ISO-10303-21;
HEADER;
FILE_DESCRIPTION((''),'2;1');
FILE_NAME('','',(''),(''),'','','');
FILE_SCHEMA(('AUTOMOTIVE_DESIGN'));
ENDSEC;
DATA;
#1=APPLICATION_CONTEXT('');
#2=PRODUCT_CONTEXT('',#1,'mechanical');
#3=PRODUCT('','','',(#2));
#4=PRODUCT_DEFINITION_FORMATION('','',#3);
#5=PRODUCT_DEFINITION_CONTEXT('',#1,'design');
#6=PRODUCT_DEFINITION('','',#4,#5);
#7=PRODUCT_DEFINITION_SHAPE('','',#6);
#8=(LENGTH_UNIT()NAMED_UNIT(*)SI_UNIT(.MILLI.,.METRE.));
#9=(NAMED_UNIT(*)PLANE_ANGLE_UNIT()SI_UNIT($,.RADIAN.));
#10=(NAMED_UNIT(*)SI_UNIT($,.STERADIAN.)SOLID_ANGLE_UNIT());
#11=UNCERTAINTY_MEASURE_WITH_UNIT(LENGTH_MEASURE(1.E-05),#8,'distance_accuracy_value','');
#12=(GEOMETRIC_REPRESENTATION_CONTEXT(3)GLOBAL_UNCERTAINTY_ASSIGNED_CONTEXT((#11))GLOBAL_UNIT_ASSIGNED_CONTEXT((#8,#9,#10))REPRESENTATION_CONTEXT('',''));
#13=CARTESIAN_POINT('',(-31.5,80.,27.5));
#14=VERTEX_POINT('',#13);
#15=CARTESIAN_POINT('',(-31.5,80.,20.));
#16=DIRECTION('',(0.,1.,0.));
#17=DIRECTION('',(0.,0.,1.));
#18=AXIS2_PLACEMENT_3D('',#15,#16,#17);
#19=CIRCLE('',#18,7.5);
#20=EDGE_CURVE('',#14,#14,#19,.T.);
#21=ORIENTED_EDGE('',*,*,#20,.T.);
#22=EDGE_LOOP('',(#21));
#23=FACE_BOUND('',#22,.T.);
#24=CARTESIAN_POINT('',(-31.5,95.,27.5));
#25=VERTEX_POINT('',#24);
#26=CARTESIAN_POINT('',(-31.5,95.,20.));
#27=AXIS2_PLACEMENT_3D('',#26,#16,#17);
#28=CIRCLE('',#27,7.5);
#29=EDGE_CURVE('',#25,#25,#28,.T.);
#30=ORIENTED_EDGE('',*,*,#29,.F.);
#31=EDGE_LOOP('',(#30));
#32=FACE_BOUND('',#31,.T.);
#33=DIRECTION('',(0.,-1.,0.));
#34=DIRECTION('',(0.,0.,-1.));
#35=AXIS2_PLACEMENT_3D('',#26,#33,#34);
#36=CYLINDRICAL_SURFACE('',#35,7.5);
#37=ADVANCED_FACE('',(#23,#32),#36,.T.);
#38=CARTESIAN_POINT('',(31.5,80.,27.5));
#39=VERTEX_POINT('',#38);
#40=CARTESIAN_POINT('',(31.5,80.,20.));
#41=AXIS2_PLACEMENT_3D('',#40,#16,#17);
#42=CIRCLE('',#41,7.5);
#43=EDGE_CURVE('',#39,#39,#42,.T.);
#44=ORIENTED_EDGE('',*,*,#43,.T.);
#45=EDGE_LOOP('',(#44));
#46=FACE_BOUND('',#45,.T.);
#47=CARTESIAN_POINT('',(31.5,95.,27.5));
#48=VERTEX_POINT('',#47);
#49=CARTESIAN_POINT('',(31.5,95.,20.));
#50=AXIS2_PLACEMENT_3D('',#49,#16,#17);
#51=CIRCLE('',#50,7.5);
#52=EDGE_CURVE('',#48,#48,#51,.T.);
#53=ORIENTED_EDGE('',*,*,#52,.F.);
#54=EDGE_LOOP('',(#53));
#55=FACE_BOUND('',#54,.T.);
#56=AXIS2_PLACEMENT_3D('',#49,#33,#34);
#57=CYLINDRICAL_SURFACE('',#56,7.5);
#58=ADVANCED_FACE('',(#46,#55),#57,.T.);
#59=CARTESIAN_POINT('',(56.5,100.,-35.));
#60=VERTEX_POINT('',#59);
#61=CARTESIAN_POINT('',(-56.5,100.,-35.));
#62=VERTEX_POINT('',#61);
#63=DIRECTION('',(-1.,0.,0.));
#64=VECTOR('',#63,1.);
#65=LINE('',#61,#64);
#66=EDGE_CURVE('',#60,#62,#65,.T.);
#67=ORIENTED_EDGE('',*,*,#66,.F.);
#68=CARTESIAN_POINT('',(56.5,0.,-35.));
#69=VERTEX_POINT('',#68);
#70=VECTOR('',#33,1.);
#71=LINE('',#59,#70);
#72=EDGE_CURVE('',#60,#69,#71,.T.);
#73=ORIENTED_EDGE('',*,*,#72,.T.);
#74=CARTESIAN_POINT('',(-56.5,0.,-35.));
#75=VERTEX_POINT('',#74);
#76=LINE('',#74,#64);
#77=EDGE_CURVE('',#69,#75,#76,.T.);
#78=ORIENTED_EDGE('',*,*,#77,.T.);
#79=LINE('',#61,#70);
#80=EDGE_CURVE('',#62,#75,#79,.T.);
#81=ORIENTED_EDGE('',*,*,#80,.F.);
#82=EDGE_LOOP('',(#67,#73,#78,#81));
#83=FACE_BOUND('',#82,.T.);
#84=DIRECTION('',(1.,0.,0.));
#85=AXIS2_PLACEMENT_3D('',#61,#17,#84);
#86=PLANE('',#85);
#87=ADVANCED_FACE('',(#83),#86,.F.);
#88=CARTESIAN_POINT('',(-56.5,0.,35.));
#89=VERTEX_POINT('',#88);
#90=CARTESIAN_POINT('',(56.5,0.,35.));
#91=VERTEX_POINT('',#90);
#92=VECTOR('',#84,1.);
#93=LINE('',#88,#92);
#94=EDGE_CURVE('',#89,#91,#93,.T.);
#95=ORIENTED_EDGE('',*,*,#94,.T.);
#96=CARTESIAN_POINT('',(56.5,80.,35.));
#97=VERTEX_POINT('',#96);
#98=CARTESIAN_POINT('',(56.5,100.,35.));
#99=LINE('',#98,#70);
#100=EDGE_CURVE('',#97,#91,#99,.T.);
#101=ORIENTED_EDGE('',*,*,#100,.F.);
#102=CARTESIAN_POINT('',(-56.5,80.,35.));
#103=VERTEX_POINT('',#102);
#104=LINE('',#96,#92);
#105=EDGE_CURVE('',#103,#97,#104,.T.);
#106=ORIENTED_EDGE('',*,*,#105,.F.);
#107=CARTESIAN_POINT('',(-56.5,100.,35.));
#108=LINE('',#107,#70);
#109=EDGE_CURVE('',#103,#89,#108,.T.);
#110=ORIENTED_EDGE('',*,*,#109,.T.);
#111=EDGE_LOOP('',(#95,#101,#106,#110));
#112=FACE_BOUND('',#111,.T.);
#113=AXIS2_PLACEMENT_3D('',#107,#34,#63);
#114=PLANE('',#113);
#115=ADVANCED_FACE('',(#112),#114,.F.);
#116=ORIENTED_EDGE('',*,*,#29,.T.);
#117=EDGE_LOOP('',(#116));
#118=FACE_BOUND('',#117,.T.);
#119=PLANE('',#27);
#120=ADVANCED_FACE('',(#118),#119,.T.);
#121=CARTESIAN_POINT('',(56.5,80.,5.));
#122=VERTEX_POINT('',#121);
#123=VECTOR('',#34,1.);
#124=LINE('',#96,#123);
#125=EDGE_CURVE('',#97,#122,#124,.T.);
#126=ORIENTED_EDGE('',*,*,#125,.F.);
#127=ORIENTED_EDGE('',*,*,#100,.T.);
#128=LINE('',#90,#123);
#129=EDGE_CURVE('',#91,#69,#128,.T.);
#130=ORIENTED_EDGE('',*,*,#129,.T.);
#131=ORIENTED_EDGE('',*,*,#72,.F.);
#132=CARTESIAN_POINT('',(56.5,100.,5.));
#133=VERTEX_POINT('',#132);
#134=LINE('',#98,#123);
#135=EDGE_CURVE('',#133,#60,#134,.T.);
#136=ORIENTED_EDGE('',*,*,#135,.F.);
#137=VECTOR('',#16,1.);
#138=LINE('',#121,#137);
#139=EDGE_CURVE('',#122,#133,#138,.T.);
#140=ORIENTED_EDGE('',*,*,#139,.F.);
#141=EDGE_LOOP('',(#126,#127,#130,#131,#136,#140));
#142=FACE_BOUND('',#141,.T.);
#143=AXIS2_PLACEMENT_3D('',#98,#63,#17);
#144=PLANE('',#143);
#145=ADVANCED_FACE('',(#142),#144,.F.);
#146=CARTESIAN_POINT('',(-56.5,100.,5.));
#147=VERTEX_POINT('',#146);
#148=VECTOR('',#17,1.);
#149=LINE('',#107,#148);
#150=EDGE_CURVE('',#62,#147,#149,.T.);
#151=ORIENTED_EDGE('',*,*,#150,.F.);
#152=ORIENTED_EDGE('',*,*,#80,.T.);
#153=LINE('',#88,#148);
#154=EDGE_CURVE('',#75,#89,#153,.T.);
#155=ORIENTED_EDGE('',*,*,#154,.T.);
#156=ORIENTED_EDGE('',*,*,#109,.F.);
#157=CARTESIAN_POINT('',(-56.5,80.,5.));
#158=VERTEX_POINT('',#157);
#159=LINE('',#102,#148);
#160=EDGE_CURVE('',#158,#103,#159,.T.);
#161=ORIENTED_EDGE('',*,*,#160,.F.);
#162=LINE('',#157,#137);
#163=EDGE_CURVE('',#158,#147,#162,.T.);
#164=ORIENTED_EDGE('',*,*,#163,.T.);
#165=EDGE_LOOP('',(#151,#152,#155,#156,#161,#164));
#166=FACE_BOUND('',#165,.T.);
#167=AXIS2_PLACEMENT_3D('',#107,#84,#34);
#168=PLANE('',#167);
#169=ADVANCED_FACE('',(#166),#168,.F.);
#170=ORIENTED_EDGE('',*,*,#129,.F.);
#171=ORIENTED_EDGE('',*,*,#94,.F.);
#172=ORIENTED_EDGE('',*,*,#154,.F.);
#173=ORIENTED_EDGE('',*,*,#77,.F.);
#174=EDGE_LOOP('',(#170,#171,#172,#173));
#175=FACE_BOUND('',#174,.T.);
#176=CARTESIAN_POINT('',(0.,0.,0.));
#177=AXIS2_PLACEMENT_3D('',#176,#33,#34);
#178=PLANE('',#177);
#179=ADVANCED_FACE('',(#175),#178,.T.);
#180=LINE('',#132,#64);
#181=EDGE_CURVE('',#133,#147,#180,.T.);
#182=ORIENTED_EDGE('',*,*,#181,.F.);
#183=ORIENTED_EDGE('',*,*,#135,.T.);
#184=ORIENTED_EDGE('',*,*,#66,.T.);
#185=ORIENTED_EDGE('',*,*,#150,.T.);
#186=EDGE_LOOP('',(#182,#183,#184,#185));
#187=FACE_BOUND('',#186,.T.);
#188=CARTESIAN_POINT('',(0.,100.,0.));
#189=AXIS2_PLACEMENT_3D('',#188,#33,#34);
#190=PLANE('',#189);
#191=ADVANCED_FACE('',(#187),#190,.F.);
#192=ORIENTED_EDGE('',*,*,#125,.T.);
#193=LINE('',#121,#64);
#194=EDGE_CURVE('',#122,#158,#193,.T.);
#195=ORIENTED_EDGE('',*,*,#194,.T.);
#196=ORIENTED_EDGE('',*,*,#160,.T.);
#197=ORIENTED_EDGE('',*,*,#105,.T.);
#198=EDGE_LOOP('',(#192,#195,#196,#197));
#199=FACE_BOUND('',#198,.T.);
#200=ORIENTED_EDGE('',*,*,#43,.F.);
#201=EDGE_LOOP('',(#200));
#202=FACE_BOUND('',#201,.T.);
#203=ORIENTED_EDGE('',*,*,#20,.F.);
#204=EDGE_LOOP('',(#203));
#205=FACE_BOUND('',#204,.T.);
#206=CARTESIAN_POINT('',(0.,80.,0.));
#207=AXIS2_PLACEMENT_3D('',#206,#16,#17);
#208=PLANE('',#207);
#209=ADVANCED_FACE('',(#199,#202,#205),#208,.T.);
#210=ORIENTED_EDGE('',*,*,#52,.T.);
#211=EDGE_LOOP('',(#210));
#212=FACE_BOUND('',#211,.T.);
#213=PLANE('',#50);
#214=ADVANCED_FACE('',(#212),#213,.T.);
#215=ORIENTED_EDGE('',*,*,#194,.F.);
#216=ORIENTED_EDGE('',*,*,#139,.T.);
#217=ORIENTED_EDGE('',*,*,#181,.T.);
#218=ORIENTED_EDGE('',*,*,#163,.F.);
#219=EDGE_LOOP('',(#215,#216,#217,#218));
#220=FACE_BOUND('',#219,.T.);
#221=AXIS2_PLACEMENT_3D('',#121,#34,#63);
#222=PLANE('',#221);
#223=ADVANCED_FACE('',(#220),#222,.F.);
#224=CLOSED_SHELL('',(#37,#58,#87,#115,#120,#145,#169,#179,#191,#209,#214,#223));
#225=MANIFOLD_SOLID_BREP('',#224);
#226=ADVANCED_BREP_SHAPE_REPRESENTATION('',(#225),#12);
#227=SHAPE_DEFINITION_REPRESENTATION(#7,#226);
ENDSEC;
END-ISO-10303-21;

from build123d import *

# Parameters (mm, degrees)
SKETCH1_W           = 113
SKETCH1_H           = 70
BOSS_EXTRUDE1_DEPTH = 100
SKETCH2_W           = 113
SKETCH2_H           = 30
CUT_EXTRUDE2_DEPTH  = 20
SKETCH3_R           = 7.5
BOSS_EXTRUDE2_DEPTH = 15


with BuildPart() as part:
    # Sketch1 → Boss-Extrude1 (new body)
    with BuildSketch(Plane(origin=(0, 0, 0), x_dir=(1, 0, 0), z_dir=(0, 1, 0))):
        Rectangle(SKETCH1_W, SKETCH1_H)
    extrude(amount=BOSS_EXTRUDE1_DEPTH)

    # Sketch2 → Cut-Extrude2 (cut)
    with BuildSketch(Plane(origin=(0, 100, 0), x_dir=(1, 0, 0), z_dir=(0, 1, 0))):
        with Locations((0, -20)):
            Rectangle(SKETCH2_W, SKETCH2_H)
    extrude(amount=-CUT_EXTRUDE2_DEPTH, mode=Mode.SUBTRACT)

    # Sketch3 → Boss-Extrude2 (add)
    with BuildSketch(Plane(origin=(0, 80, 0), x_dir=(1, 0, 0), z_dir=(0, 1, 0))):
        with Locations((-31.5, -20)):
            Circle(SKETCH3_R)
        with Locations((31.5, -20)):
            Circle(SKETCH3_R)
    extrude(amount=BOSS_EXTRUDE2_DEPTH)


solid = part.part
